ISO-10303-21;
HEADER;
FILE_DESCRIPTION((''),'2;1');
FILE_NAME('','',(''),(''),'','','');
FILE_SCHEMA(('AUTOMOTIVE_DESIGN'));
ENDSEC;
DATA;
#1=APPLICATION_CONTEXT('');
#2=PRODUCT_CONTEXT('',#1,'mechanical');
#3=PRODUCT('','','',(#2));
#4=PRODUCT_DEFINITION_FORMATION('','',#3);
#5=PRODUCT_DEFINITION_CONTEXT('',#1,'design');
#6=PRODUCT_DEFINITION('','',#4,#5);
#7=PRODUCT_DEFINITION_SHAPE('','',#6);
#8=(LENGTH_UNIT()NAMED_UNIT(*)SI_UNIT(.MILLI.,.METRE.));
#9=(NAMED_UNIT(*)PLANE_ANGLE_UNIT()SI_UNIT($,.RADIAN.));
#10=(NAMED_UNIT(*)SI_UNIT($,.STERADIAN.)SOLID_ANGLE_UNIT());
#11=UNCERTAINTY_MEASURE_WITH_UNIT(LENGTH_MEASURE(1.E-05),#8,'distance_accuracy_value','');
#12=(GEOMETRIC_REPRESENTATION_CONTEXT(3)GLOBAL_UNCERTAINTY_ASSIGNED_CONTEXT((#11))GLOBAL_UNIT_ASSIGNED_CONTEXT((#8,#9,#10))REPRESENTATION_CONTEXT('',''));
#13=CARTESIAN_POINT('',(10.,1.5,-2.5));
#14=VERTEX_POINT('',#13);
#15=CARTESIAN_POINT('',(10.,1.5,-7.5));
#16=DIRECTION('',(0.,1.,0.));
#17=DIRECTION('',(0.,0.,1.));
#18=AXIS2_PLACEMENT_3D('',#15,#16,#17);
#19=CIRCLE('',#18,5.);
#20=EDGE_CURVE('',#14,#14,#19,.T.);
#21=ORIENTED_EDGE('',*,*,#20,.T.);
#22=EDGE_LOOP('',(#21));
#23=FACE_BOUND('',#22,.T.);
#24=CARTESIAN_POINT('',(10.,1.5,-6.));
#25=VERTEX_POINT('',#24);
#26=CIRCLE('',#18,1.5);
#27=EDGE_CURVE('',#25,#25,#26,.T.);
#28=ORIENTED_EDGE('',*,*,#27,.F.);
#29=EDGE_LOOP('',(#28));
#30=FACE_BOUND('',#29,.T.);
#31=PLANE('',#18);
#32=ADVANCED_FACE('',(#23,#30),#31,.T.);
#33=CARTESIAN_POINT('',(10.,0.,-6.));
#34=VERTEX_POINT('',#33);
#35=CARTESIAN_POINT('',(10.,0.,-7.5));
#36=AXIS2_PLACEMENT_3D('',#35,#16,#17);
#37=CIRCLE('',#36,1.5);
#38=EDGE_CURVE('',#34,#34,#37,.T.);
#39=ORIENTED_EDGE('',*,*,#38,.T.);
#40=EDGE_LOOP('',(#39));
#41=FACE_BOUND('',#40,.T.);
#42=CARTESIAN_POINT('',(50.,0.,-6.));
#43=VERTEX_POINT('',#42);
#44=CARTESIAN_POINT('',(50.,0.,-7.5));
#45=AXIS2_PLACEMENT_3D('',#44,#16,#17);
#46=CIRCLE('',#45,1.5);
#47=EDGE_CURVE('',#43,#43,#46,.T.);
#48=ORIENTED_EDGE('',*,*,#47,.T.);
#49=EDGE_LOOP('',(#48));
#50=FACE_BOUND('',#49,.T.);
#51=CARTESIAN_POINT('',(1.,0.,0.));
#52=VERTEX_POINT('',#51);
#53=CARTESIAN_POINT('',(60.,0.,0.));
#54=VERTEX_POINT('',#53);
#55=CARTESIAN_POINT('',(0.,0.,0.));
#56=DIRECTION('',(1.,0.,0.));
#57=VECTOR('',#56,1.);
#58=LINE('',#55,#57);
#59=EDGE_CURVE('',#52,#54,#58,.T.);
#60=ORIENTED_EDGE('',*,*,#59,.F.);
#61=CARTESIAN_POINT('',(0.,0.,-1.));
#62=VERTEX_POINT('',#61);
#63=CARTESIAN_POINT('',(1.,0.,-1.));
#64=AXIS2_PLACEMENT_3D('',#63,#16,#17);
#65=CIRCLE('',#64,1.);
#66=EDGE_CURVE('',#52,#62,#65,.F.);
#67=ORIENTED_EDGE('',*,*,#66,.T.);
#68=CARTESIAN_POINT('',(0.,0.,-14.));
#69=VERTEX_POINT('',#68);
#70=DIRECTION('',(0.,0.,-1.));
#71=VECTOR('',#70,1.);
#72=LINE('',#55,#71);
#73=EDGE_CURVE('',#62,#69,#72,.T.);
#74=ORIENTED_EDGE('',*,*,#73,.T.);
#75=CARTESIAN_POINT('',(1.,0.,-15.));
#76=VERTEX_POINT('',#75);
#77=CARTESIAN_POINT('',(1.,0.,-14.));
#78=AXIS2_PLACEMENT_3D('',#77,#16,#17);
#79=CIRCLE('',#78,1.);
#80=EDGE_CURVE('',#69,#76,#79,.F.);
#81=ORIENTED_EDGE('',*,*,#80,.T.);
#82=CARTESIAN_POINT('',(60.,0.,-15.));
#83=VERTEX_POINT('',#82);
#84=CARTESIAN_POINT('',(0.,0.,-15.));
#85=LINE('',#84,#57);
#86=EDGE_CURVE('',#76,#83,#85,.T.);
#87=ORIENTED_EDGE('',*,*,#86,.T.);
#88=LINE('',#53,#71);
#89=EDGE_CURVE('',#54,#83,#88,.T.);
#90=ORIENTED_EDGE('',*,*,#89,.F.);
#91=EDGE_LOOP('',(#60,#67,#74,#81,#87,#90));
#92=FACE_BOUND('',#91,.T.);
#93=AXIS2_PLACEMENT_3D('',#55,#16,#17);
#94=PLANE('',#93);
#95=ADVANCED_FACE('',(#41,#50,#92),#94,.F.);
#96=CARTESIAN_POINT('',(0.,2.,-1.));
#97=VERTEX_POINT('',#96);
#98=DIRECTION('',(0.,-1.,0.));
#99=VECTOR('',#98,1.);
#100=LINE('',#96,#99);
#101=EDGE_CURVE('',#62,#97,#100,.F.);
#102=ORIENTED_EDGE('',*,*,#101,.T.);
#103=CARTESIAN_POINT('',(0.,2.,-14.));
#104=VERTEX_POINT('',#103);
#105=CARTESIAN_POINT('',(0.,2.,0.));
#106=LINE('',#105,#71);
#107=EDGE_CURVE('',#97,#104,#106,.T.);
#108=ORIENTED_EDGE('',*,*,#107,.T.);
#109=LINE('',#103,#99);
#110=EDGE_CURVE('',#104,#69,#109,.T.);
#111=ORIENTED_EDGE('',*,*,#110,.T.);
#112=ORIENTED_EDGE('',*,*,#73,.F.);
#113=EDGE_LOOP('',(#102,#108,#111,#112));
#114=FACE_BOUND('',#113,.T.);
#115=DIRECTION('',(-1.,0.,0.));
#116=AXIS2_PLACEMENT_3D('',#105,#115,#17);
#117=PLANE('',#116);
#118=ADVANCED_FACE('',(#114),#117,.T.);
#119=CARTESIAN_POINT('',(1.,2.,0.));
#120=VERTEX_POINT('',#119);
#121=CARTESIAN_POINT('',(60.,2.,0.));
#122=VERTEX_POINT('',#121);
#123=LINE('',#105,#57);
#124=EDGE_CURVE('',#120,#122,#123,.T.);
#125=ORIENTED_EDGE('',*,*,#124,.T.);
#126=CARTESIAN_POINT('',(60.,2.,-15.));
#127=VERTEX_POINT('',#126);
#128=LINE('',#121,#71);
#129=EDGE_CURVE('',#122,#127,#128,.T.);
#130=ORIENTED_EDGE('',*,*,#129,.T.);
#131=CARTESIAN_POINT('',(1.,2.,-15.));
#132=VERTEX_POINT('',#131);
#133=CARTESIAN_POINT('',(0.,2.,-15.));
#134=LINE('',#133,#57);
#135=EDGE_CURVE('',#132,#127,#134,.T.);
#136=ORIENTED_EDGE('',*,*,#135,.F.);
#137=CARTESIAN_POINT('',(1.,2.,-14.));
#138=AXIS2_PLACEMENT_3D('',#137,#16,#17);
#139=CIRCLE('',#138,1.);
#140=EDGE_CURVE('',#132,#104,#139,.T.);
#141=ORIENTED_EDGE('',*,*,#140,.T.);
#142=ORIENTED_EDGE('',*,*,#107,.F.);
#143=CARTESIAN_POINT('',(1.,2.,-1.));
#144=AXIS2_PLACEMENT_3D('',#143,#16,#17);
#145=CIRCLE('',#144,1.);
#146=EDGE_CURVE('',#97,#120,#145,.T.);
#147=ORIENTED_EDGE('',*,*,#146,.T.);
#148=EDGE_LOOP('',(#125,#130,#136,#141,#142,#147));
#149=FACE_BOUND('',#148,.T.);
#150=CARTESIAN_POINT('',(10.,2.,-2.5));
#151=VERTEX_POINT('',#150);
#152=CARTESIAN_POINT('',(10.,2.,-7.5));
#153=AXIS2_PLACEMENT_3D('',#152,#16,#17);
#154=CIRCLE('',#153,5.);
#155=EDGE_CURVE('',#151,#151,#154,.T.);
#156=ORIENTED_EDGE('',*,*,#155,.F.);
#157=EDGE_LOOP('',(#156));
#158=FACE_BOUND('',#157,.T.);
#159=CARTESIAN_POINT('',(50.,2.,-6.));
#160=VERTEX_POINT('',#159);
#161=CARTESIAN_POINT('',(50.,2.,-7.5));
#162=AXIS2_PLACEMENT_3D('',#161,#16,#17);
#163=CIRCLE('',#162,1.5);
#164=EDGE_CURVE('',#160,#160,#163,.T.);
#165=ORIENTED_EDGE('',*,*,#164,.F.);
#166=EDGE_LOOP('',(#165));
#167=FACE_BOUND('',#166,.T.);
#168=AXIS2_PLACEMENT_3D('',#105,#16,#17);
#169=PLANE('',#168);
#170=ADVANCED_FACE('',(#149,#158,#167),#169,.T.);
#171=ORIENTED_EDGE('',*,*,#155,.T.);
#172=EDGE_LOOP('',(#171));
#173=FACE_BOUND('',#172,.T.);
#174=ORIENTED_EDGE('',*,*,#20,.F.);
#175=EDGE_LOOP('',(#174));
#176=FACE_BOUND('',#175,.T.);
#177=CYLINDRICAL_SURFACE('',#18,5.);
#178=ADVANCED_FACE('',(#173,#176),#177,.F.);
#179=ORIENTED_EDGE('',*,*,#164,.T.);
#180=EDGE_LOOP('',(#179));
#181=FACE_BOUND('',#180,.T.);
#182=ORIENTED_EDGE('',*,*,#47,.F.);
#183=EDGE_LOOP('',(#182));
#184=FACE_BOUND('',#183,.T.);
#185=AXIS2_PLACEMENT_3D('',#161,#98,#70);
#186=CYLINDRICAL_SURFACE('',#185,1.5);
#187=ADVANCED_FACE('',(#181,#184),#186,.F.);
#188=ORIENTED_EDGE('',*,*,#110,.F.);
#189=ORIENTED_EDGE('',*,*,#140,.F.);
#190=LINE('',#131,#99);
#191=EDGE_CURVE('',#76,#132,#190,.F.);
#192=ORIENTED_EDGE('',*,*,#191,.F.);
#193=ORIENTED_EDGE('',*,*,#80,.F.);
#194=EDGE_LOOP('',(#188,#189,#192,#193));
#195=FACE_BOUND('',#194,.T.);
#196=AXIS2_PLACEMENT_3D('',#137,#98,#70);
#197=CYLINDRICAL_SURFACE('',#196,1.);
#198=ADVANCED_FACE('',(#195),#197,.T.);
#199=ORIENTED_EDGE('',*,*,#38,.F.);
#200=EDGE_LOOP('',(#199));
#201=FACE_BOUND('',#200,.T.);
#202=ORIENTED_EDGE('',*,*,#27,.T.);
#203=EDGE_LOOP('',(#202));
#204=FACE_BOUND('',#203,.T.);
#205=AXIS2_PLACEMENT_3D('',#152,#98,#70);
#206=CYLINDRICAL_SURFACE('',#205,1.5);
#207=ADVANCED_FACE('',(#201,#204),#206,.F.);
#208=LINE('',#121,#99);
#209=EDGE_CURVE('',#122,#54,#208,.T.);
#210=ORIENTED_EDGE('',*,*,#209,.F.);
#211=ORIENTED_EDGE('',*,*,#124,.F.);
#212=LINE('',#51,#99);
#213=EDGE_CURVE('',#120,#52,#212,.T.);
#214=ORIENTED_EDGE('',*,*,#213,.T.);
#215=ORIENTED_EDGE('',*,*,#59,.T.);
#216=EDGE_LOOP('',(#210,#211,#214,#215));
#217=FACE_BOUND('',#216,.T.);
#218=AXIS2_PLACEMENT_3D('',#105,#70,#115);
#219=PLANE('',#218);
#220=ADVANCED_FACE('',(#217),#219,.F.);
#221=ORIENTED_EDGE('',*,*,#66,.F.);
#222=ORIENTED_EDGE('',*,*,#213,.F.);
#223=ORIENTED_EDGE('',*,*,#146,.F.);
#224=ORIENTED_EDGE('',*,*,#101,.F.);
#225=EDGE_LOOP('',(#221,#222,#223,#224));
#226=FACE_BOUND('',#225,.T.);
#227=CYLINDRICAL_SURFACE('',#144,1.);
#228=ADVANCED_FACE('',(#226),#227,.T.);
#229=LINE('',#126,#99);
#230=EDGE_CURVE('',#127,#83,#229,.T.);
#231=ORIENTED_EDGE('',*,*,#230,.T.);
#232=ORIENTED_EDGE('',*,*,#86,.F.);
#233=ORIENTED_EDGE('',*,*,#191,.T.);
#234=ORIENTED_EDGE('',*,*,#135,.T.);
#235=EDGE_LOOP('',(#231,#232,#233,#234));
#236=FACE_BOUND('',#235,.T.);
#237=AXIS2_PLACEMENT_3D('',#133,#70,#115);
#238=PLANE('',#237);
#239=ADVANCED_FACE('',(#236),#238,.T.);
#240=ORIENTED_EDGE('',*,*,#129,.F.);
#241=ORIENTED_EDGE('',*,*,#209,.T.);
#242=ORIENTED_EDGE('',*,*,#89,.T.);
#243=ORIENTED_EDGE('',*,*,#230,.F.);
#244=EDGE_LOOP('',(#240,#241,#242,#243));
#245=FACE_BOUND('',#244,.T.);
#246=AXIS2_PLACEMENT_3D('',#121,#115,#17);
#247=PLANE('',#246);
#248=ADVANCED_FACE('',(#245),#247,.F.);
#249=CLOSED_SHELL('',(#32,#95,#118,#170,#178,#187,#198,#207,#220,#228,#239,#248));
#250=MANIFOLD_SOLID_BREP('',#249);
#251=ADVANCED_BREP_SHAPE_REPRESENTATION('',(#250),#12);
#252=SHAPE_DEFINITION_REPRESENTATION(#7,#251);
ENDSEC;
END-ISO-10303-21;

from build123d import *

# Parameters (mm, degrees)
BOSS_EXTRUDE1_DEPTH = 2
SKETCH2_R           = 5
CUT_EXTRUDE1_DEPTH  = 0.5
FILLET1_R           = 1


with BuildPart() as part:
    # Sketch1 → Boss-Extrude1 (new body)
    with BuildSketch(Plane(origin=(0, 0, 0), x_dir=(1, 0, 0), z_dir=(0, 1, 0))):
        with BuildLine():
            Line((60, 7.5), (51.5, 7.5))
            ThreePointArc((51.5, 7.5), (50, 6), (48.5, 7.5))
            Line((48.5, 7.5), (11.5, 7.5))
            ThreePointArc((11.5, 7.5), (10, 6), (8.5, 7.5))
            Line((8.5, 7.5), (0, 7.5))
            Line((0, 7.5), (0, 0))
            Line((0, 0), (60, 0))
            Line((60, 0), (60, 7.5))
        make_face()
        with BuildLine():
            ThreePointArc((48.5, 7.5), (50, 9), (51.5, 7.5))
            Line((51.5, 7.5), (60, 7.5))
            Line((60, 7.5), (60, 15))
            Line((60, 15), (0, 15))
            Line((0, 15), (0, 7.5))
            Line((0, 7.5), (8.5, 7.5))
            ThreePointArc((8.5, 7.5), (10, 9), (11.5, 7.5))
            Line((11.5, 7.5), (48.5, 7.5))
        make_face()
    extrude(amount=BOSS_EXTRUDE1_DEPTH)

    # Sketch2 → Cut-Extrude1 (cut)
    with BuildSketch(Plane(origin=(0, 2, 0), x_dir=(1, 0, 0), z_dir=(0, 1, 0))):
        with Locations(Location((10, 7.5, 0), (0, 0, 270))):
            Circle(SKETCH2_R)
    extrude(amount=-CUT_EXTRUDE1_DEPTH, mode=Mode.SUBTRACT)

    # Fillet1
    fillet1_edges = [part.edges().sort_by_distance(p)[0] for p in [
        (0, 1, 0),
        (0, 1, -15),
    ]]
    fillet(fillet1_edges, radius=FILLET1_R)


solid = part.part
